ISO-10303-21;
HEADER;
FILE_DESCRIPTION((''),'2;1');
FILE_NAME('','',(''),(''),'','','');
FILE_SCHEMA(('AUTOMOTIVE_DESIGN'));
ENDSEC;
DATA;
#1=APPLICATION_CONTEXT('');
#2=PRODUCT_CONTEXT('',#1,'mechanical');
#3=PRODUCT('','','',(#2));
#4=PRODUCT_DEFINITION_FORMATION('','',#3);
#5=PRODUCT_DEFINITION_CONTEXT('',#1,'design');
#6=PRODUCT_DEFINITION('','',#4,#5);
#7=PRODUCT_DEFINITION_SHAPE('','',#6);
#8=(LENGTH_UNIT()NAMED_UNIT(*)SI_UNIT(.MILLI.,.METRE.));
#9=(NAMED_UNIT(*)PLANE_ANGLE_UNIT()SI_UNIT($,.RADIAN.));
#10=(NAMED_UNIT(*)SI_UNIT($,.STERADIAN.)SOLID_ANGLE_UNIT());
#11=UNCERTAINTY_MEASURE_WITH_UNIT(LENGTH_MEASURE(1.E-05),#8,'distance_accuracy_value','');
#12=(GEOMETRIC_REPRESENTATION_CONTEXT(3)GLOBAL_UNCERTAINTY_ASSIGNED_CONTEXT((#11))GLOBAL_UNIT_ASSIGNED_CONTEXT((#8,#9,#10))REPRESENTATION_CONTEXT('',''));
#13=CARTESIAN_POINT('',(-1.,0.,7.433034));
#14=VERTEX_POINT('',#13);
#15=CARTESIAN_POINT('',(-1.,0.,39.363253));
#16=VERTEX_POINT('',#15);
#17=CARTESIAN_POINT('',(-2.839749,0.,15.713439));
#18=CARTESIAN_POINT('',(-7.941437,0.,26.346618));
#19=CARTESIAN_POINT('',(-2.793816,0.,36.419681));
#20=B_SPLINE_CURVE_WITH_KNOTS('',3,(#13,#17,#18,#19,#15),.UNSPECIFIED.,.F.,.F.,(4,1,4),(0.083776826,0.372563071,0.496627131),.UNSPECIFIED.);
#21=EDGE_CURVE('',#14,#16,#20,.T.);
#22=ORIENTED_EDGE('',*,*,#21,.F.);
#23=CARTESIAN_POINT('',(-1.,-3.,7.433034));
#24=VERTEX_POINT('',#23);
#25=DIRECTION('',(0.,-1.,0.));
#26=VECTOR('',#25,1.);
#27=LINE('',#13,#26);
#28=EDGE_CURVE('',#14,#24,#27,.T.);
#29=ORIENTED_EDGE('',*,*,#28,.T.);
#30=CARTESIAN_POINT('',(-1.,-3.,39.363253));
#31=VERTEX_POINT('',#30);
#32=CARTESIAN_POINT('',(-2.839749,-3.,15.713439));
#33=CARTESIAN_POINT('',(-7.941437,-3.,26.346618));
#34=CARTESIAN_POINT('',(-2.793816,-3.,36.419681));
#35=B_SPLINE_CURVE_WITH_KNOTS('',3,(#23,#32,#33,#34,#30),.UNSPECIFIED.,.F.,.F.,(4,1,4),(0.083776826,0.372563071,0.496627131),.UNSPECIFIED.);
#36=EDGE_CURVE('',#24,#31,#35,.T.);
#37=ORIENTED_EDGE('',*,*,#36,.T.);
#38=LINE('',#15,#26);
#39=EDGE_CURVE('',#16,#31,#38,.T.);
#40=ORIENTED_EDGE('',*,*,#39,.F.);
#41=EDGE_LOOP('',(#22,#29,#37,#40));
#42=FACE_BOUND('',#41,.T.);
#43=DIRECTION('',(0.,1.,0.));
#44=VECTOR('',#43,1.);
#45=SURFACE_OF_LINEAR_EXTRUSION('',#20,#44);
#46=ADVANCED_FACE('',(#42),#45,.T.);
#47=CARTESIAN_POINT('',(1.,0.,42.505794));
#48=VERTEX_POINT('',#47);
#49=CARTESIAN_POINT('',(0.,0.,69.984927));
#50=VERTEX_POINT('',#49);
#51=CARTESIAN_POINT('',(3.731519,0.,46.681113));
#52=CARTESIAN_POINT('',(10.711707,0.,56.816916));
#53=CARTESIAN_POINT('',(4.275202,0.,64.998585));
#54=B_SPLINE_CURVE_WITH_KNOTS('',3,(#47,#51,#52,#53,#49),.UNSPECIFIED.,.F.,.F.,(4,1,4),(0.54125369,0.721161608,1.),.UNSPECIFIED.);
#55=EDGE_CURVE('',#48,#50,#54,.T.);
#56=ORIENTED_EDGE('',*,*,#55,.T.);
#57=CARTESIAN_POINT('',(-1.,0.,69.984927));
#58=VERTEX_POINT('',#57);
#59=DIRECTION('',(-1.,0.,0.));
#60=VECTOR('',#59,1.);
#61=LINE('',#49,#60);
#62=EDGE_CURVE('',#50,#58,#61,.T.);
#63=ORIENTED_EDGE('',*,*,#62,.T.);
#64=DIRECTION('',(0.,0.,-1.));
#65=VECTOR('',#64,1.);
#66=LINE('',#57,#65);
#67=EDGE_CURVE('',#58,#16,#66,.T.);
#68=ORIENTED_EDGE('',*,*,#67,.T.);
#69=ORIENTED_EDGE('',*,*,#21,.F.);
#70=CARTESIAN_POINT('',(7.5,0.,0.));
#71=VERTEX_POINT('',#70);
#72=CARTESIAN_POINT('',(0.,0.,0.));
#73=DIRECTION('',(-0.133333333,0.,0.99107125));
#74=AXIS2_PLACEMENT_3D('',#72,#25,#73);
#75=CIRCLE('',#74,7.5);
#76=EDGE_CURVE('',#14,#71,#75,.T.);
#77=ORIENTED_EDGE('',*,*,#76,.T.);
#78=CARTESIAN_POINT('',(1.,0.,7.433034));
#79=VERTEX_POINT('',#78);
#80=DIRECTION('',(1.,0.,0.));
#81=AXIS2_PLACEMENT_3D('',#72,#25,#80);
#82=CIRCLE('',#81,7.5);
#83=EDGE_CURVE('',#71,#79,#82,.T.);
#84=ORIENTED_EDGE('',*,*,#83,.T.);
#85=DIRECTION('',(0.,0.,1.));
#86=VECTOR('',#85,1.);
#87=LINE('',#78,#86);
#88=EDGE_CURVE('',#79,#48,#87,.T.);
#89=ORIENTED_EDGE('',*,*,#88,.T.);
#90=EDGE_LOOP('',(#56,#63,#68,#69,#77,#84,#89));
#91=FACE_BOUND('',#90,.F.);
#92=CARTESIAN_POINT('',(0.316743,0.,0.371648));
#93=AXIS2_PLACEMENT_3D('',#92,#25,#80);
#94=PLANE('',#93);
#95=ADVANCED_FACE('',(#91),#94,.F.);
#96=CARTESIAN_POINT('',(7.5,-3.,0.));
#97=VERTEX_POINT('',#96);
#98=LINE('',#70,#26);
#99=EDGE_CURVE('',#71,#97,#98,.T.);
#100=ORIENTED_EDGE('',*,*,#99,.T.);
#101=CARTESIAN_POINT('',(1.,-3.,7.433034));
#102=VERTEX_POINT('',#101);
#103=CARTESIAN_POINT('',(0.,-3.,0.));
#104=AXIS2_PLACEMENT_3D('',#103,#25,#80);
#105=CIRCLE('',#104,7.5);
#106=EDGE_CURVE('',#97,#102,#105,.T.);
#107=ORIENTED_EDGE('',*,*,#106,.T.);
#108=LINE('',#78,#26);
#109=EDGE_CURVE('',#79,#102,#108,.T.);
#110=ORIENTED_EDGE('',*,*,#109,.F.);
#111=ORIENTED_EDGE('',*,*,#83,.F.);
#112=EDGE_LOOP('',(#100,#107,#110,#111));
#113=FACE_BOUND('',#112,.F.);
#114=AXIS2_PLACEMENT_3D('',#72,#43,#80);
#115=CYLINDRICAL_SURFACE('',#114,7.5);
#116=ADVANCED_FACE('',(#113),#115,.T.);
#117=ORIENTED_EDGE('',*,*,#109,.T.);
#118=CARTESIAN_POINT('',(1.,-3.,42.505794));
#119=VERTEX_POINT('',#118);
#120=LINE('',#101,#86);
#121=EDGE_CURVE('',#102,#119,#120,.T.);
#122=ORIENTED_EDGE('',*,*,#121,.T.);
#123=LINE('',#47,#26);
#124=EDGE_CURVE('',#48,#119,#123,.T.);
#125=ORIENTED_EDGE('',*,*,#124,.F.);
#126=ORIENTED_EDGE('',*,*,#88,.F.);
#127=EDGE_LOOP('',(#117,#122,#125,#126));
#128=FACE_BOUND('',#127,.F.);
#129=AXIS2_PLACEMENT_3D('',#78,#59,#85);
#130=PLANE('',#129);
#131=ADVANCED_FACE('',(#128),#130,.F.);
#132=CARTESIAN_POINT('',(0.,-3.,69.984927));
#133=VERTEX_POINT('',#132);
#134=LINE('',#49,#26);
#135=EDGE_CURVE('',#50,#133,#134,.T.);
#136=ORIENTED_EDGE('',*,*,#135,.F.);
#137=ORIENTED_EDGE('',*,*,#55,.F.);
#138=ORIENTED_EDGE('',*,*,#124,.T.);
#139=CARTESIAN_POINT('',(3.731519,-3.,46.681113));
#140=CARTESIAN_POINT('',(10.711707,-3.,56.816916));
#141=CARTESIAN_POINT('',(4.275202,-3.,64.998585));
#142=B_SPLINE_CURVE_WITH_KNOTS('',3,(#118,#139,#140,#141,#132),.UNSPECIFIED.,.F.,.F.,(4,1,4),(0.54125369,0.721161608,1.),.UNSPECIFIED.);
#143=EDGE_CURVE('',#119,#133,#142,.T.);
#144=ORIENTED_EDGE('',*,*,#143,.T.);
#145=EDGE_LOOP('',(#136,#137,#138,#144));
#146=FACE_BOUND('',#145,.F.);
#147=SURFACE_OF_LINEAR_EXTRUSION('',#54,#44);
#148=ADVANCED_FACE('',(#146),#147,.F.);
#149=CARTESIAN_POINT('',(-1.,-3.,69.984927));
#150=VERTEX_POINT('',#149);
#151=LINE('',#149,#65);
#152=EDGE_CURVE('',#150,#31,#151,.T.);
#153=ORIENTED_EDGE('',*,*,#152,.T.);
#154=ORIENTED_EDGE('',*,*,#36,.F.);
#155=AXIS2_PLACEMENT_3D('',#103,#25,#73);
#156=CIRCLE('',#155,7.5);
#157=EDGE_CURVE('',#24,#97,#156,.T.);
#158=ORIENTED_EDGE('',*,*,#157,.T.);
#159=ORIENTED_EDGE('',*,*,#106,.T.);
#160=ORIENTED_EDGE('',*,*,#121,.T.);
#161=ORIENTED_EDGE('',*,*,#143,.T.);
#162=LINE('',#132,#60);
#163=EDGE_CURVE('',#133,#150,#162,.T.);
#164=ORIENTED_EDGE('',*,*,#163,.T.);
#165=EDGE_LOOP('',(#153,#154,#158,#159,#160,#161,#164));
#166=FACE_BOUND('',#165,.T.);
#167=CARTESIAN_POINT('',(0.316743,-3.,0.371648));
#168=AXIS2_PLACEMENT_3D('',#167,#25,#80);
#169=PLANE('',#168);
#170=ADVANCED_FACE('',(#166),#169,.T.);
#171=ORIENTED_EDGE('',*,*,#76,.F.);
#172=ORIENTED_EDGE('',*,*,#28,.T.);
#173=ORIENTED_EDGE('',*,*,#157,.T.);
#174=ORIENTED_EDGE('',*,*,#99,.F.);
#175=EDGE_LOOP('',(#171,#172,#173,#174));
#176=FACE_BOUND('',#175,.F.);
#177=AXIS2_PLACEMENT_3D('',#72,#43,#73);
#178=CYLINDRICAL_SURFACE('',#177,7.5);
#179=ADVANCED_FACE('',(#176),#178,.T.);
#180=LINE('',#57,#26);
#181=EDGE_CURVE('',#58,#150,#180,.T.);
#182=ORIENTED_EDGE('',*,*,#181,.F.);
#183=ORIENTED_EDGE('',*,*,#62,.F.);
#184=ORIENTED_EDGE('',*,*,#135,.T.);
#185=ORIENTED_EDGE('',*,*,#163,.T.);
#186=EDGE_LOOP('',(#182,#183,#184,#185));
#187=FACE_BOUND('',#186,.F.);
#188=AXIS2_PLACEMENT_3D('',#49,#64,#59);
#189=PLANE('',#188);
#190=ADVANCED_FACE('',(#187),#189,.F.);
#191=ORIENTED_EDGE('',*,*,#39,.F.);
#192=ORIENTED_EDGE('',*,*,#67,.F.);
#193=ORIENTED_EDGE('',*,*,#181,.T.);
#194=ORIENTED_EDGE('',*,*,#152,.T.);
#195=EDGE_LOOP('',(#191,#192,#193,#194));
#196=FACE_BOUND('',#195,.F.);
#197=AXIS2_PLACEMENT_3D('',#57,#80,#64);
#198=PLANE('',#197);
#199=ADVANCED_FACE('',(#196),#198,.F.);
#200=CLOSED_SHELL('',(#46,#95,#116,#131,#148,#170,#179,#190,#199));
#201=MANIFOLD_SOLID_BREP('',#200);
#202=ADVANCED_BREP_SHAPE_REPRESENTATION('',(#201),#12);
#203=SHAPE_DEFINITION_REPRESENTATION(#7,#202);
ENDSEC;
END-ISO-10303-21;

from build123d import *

# Parameters (mm, degrees)
F1_DEPTH = 3


with BuildPart() as f1:
    # F0 (on Front) → F1 (new body)
    with BuildSketch(Plane.XZ):
        with BuildLine():
            ThreePointArc((-1, 7.4330343737), (-4.9371044145, -5.6457948953), (7.5, 0))
            ThreePointArc((7.5, 0), (5.6457948953, 4.9371044145), (1, 7.4330343737))
            ThreePointArc((1, 7.4330343737), (0, 7.5), (-1, 7.4330343737))
        make_face()
        with BuildLine():
            ThreePointArc((-1, 7.4330343737), (0, 7.5), (1, 7.4330343737))
            Line((1, 7.4330343737), (1, 42.505793939))
            add(Edge.make_bspline(
                [(-1, 39.3632533519), (-0.3547541509, 40.4220734875), (0.3224407083, 41.4700968643), (1, 42.505793939)],
                knots=[0.4966271306, 0.4966271306, 0.4966271306, 0.4966271306, 0.5412536904, 0.5412536904, 0.5412536904, 0.5412536904], degree=3))
            add(Edge.make_bspline(
                [(-1, 7.4330343737), (-2.8397490445, 15.7134387246), (-7.9414373014, 26.3466179243), (-2.7938156098, 36.4196806195), (-1, 39.3632533519)],
                knots=[0.0837768261, 0.0837768261, 0.0837768261, 0.0837768261, 0.3725630707, 0.4966271306, 0.4966271306, 0.4966271306, 0.4966271306], degree=3))
        make_face()
        with BuildLine():
            add(Edge.make_bspline(
                [(-1, 39.3632533519), (-0.3547541509, 40.4220734875), (0.3224407083, 41.4700968643), (1, 42.505793939)],
                knots=[0.4966271306, 0.4966271306, 0.4966271306, 0.4966271306, 0.5412536904, 0.5412536904, 0.5412536904, 0.5412536904], degree=3))
            add(Edge.make_bspline(
                [(1, 42.505793939), (3.7315186673, 46.6811125098), (10.7117072602, 56.8169155659), (4.2752019951, 64.998584569), (0, 69.9849270426)],
                knots=[0.5412536904, 0.5412536904, 0.5412536904, 0.5412536904, 0.7211616081, 1, 1, 1, 1], degree=3))
            Line((0, 69.9849270426), (-1, 69.9849270426))
            Line((-1, 69.9849270426), (-1, 39.3632533519))
        make_face()
    extrude(amount=F1_DEPTH)


solid = f1.part
